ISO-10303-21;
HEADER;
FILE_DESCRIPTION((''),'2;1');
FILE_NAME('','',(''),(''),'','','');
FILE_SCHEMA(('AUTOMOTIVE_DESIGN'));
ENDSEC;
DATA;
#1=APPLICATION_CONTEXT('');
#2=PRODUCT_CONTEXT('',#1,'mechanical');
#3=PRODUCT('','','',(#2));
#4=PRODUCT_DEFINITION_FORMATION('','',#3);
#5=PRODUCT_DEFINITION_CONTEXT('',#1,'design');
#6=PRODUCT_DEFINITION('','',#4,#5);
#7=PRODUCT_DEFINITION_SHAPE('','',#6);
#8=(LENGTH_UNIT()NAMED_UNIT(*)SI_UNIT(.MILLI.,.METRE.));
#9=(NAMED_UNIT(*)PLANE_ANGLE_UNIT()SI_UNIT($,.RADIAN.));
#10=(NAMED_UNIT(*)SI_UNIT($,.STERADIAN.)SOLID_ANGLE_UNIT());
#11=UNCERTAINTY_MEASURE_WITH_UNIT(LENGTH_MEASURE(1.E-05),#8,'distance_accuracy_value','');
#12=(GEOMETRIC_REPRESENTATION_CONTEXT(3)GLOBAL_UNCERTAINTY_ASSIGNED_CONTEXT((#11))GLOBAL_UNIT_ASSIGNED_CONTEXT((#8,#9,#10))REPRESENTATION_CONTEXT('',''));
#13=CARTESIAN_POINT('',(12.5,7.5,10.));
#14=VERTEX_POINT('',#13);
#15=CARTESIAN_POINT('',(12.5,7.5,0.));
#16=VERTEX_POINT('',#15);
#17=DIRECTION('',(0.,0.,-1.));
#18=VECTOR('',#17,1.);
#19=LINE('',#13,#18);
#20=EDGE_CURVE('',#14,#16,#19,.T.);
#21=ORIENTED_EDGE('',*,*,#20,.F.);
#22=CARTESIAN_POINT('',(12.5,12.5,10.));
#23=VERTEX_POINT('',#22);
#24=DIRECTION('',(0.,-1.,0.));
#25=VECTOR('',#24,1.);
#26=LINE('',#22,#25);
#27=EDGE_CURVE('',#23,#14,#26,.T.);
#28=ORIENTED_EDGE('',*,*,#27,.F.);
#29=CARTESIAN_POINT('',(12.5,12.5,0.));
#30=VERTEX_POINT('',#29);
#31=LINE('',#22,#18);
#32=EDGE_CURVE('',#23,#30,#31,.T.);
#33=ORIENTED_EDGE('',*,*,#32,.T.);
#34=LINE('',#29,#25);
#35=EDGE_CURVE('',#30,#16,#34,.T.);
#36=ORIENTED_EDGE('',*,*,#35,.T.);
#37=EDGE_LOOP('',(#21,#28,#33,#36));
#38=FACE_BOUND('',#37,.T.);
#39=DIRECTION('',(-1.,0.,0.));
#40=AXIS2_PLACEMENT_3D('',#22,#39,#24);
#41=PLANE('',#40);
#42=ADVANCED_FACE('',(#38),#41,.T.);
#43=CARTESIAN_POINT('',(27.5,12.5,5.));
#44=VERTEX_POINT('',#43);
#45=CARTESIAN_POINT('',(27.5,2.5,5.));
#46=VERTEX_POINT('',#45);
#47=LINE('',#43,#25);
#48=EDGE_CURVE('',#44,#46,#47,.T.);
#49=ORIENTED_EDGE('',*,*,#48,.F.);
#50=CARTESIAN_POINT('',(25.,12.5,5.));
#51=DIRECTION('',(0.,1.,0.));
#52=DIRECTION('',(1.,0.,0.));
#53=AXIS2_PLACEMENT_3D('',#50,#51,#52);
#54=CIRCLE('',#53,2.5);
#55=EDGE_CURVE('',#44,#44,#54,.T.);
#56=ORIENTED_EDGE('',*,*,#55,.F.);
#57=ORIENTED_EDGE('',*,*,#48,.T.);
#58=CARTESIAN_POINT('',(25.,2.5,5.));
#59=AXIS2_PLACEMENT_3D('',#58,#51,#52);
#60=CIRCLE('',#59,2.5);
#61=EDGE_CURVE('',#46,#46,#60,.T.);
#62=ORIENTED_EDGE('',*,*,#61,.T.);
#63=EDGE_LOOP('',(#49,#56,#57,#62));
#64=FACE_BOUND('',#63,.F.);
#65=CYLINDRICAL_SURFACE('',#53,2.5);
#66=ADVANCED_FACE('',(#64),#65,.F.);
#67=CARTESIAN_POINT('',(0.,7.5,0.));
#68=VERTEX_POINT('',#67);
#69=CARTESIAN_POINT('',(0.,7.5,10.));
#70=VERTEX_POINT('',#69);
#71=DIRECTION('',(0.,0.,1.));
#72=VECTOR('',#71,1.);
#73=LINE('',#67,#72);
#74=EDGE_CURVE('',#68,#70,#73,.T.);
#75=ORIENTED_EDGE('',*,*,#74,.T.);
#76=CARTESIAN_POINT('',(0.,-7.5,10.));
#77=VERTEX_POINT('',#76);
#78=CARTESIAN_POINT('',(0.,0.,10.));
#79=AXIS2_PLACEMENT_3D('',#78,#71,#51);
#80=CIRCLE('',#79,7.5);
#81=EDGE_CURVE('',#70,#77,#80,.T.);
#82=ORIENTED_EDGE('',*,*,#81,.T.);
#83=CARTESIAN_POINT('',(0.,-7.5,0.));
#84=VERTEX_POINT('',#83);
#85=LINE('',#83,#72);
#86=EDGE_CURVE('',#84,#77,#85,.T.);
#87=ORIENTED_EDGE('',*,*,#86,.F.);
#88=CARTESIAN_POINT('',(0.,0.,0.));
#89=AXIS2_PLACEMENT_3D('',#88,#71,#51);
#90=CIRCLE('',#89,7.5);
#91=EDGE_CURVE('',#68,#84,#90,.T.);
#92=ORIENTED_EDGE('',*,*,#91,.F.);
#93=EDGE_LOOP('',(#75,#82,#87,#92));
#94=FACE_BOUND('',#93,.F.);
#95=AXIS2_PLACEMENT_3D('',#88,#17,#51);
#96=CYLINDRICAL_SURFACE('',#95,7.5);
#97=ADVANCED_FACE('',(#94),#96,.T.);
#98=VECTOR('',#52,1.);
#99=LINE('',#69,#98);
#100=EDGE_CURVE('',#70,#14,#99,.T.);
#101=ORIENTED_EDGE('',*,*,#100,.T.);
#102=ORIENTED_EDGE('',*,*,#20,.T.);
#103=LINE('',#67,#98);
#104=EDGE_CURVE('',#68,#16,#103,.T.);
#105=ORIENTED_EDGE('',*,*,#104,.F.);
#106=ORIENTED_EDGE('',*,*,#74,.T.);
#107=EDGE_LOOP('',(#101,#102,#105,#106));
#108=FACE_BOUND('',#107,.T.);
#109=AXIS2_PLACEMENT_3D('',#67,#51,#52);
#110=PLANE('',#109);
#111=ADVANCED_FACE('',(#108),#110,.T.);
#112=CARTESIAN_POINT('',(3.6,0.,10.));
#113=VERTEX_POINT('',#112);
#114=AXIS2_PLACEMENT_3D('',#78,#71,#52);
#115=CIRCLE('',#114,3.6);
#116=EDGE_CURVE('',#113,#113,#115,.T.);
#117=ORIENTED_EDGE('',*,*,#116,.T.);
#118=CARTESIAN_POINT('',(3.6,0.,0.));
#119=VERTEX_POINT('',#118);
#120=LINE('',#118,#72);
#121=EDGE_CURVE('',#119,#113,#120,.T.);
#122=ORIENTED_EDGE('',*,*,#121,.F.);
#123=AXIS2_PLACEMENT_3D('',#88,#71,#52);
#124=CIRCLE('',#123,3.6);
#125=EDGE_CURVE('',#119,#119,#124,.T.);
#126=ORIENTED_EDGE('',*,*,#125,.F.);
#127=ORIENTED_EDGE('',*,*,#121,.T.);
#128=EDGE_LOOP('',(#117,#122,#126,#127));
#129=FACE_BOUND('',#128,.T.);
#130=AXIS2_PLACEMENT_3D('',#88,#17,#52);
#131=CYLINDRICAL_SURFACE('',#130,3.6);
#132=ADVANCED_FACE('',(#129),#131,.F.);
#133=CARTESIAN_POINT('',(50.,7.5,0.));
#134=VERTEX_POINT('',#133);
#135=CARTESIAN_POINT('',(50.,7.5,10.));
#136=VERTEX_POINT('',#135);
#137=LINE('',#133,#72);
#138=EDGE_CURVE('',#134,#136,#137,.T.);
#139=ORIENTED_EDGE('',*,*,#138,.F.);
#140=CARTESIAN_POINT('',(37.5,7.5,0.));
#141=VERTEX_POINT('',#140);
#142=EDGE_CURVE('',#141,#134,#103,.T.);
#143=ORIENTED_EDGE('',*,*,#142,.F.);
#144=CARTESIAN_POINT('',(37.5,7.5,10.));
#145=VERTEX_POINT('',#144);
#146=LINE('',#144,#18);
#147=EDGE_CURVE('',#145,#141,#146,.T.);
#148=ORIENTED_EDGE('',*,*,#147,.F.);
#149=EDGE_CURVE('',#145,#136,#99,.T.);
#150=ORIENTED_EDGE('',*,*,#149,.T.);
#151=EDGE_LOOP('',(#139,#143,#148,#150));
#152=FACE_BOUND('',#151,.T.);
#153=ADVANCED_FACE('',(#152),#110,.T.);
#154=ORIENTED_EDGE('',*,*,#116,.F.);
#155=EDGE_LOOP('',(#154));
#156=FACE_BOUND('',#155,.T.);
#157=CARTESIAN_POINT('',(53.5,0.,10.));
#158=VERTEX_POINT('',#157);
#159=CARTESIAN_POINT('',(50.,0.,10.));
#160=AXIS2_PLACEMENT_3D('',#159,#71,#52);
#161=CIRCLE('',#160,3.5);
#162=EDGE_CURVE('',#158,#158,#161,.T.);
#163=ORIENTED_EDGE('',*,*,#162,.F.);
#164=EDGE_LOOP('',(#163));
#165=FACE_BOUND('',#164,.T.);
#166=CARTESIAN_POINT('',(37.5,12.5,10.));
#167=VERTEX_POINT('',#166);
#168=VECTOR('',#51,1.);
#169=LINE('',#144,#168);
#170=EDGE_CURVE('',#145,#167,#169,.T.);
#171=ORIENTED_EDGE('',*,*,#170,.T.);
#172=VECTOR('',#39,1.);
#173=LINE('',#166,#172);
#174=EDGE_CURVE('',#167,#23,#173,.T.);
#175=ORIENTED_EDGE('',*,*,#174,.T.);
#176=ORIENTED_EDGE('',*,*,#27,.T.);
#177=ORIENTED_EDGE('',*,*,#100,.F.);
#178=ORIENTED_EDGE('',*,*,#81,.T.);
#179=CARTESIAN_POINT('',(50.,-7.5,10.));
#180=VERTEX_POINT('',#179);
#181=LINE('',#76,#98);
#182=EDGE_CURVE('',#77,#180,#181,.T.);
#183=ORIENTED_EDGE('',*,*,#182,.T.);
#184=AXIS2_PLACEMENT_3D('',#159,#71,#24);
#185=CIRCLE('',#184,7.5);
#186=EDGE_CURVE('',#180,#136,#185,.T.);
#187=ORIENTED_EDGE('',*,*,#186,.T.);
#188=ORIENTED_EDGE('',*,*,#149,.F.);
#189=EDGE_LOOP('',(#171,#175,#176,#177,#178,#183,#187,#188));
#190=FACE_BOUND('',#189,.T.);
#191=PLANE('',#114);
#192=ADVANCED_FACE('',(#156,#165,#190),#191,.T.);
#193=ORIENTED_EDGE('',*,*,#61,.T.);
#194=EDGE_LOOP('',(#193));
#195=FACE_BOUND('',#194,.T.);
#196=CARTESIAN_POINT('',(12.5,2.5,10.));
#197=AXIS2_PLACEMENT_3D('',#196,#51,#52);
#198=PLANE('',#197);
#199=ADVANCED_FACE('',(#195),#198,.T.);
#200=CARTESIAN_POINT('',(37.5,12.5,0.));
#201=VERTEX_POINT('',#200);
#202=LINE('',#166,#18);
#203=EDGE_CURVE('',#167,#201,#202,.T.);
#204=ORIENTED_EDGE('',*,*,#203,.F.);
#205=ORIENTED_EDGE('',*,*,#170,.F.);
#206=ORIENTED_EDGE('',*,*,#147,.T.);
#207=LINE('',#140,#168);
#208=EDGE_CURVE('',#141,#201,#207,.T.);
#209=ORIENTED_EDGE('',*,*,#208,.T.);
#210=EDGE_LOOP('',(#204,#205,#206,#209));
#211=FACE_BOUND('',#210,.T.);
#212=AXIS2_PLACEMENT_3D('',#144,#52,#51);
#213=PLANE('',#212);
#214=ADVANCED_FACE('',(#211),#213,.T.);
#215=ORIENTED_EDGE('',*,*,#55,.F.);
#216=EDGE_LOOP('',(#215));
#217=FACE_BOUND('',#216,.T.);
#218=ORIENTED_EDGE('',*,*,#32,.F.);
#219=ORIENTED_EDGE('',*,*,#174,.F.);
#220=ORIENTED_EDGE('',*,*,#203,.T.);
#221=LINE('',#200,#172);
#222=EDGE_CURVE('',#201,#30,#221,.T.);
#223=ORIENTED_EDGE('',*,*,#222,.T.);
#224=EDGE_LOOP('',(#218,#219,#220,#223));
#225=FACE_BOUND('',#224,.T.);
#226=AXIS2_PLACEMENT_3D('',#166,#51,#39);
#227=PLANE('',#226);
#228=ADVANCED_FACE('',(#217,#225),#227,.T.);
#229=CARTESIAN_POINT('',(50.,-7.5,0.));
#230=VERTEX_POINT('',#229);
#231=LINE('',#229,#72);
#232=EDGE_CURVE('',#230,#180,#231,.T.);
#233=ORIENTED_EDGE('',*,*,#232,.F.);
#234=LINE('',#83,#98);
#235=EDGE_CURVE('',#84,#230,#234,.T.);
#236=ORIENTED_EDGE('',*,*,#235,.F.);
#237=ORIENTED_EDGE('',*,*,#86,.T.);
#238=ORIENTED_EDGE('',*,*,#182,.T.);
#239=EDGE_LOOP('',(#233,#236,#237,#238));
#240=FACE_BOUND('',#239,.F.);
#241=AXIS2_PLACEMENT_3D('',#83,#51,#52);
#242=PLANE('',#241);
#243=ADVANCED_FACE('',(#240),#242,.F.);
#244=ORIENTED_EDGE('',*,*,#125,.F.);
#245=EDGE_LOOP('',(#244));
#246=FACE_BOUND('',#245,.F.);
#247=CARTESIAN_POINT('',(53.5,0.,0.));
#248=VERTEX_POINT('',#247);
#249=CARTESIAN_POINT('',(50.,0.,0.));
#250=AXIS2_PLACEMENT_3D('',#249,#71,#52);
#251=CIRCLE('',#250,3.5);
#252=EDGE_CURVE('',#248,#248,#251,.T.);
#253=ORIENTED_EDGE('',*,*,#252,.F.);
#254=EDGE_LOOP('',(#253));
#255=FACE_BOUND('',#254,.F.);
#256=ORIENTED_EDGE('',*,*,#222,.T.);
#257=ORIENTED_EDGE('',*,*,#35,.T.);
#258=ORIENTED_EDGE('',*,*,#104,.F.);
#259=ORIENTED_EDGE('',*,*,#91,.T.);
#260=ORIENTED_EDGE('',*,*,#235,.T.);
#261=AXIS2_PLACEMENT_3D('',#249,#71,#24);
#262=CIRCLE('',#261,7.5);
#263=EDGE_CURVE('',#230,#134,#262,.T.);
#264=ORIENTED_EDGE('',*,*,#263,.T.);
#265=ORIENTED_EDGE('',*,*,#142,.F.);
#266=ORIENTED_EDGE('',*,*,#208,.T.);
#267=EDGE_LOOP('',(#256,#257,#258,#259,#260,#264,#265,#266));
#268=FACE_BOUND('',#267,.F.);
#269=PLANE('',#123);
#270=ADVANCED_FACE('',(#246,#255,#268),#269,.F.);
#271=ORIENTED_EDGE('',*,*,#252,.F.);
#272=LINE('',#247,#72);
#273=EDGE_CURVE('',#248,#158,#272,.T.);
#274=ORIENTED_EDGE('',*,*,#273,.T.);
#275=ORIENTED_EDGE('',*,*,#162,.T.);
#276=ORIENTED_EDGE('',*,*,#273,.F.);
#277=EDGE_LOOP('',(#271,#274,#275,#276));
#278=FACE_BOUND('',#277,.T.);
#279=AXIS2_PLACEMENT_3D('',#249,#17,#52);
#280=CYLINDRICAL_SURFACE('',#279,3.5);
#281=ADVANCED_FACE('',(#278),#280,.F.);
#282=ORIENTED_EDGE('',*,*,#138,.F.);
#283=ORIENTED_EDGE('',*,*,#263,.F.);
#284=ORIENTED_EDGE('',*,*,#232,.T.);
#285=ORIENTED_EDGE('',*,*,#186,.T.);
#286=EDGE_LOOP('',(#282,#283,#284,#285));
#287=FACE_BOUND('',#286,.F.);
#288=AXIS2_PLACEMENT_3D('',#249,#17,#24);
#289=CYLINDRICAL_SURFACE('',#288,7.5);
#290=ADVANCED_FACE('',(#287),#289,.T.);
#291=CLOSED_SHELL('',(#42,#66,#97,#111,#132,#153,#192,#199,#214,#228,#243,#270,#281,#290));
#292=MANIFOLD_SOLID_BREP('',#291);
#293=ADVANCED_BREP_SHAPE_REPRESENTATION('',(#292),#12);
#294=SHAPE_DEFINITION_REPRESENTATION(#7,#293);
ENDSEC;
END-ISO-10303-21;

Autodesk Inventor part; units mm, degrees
ref_plane "YZ Plane" through (0, 0, 0) normal (1, 0, 0) x (0, 1, 0)
ref_plane "XZ Plane" through (0, 0, 0) normal (0, 1, 0) x (-1, 0, 0)
ref_plane "XY Plane" through (0, 0, 0) normal (0, 0, 1) x (1, 0, 0)
sketch "Sketch1" plane through (0, 0, 0) normal (0, 0, 1) x (1, 0, 0)
  circle A0 centre (0, 0) radius 3.6
  circle A1 centre (0, 0) radius 7.5 construction
  arc A2 (0, 7.5) -> (0, -7.5) centre (0, 0) ccw
  line L0 (0, 7.5) -> (50, 7.5)
  line L1 (0, -7.5) -> (50, -7.5)
  circle A3 centre (50, 0) radius 7.5 construction
  arc A4 (50, -7.5) -> (50, 7.5) centre (50, 0) ccw
  circle A5 centre (50, 0) radius 3.5
  point P0 (42.6287, 1.3837)
  point P1 (42.5553, -0.9092)
  dimension "d0" = 7.2
  dimension "d1" = 15
  dimension "d2" = 50
  dimension "d3" = 15
  dimension "d4" = 7
extrude "Extrusion1" add sketch "Sketch1" along normal blind 10
sketch "Sketch4" plane through (0, 0, 10) normal (0, 0, 1) x (1, 0, 0)
  line L0 (50, 7.5) -> (0, 7.5) projected
  line L1 (12.5, 7.5) -> (37.5, 7.5)
  line L2 (37.5, 7.5) -> (37.5, 12.5)
  line L3 (37.5, 12.5) -> (12.5, 12.5)
  line L4 (12.5, 12.5) -> (12.5, 7.5)
  point P0 (0, 0)
  point P1 (25, 7.5)
  dimension "d10" = 25
  dimension "d11" = 5
extrude "Extrusion3" add sketch "Sketch4" against normal blind 10
sketch "Sketch5" plane through (12.5, 12.5, 10) normal (0, 1, 0) x (1, 0, 0)
  line L0 (25, 0) -> (0, 0) projected
  line L1 (25, 0) -> (25, 10) projected
  line L2 (0, 10) -> (25, 10) projected
  line L3 (0, 0) -> (0, 10) projected
  circle A0 centre (12.5, 5) radius 2.5
  line L4 (0, 0) -> (0, 10) projected
  point P0 (-12.5, 10)
  point P1 (12.5, 10)
  point P2 (0, 5)
  dimension "d14" = 5
extrude "Extrusion4" cut sketch "Sketch5" against normal blind 10 contours A0
properties part number "GA003" material "ABS Plastic"
